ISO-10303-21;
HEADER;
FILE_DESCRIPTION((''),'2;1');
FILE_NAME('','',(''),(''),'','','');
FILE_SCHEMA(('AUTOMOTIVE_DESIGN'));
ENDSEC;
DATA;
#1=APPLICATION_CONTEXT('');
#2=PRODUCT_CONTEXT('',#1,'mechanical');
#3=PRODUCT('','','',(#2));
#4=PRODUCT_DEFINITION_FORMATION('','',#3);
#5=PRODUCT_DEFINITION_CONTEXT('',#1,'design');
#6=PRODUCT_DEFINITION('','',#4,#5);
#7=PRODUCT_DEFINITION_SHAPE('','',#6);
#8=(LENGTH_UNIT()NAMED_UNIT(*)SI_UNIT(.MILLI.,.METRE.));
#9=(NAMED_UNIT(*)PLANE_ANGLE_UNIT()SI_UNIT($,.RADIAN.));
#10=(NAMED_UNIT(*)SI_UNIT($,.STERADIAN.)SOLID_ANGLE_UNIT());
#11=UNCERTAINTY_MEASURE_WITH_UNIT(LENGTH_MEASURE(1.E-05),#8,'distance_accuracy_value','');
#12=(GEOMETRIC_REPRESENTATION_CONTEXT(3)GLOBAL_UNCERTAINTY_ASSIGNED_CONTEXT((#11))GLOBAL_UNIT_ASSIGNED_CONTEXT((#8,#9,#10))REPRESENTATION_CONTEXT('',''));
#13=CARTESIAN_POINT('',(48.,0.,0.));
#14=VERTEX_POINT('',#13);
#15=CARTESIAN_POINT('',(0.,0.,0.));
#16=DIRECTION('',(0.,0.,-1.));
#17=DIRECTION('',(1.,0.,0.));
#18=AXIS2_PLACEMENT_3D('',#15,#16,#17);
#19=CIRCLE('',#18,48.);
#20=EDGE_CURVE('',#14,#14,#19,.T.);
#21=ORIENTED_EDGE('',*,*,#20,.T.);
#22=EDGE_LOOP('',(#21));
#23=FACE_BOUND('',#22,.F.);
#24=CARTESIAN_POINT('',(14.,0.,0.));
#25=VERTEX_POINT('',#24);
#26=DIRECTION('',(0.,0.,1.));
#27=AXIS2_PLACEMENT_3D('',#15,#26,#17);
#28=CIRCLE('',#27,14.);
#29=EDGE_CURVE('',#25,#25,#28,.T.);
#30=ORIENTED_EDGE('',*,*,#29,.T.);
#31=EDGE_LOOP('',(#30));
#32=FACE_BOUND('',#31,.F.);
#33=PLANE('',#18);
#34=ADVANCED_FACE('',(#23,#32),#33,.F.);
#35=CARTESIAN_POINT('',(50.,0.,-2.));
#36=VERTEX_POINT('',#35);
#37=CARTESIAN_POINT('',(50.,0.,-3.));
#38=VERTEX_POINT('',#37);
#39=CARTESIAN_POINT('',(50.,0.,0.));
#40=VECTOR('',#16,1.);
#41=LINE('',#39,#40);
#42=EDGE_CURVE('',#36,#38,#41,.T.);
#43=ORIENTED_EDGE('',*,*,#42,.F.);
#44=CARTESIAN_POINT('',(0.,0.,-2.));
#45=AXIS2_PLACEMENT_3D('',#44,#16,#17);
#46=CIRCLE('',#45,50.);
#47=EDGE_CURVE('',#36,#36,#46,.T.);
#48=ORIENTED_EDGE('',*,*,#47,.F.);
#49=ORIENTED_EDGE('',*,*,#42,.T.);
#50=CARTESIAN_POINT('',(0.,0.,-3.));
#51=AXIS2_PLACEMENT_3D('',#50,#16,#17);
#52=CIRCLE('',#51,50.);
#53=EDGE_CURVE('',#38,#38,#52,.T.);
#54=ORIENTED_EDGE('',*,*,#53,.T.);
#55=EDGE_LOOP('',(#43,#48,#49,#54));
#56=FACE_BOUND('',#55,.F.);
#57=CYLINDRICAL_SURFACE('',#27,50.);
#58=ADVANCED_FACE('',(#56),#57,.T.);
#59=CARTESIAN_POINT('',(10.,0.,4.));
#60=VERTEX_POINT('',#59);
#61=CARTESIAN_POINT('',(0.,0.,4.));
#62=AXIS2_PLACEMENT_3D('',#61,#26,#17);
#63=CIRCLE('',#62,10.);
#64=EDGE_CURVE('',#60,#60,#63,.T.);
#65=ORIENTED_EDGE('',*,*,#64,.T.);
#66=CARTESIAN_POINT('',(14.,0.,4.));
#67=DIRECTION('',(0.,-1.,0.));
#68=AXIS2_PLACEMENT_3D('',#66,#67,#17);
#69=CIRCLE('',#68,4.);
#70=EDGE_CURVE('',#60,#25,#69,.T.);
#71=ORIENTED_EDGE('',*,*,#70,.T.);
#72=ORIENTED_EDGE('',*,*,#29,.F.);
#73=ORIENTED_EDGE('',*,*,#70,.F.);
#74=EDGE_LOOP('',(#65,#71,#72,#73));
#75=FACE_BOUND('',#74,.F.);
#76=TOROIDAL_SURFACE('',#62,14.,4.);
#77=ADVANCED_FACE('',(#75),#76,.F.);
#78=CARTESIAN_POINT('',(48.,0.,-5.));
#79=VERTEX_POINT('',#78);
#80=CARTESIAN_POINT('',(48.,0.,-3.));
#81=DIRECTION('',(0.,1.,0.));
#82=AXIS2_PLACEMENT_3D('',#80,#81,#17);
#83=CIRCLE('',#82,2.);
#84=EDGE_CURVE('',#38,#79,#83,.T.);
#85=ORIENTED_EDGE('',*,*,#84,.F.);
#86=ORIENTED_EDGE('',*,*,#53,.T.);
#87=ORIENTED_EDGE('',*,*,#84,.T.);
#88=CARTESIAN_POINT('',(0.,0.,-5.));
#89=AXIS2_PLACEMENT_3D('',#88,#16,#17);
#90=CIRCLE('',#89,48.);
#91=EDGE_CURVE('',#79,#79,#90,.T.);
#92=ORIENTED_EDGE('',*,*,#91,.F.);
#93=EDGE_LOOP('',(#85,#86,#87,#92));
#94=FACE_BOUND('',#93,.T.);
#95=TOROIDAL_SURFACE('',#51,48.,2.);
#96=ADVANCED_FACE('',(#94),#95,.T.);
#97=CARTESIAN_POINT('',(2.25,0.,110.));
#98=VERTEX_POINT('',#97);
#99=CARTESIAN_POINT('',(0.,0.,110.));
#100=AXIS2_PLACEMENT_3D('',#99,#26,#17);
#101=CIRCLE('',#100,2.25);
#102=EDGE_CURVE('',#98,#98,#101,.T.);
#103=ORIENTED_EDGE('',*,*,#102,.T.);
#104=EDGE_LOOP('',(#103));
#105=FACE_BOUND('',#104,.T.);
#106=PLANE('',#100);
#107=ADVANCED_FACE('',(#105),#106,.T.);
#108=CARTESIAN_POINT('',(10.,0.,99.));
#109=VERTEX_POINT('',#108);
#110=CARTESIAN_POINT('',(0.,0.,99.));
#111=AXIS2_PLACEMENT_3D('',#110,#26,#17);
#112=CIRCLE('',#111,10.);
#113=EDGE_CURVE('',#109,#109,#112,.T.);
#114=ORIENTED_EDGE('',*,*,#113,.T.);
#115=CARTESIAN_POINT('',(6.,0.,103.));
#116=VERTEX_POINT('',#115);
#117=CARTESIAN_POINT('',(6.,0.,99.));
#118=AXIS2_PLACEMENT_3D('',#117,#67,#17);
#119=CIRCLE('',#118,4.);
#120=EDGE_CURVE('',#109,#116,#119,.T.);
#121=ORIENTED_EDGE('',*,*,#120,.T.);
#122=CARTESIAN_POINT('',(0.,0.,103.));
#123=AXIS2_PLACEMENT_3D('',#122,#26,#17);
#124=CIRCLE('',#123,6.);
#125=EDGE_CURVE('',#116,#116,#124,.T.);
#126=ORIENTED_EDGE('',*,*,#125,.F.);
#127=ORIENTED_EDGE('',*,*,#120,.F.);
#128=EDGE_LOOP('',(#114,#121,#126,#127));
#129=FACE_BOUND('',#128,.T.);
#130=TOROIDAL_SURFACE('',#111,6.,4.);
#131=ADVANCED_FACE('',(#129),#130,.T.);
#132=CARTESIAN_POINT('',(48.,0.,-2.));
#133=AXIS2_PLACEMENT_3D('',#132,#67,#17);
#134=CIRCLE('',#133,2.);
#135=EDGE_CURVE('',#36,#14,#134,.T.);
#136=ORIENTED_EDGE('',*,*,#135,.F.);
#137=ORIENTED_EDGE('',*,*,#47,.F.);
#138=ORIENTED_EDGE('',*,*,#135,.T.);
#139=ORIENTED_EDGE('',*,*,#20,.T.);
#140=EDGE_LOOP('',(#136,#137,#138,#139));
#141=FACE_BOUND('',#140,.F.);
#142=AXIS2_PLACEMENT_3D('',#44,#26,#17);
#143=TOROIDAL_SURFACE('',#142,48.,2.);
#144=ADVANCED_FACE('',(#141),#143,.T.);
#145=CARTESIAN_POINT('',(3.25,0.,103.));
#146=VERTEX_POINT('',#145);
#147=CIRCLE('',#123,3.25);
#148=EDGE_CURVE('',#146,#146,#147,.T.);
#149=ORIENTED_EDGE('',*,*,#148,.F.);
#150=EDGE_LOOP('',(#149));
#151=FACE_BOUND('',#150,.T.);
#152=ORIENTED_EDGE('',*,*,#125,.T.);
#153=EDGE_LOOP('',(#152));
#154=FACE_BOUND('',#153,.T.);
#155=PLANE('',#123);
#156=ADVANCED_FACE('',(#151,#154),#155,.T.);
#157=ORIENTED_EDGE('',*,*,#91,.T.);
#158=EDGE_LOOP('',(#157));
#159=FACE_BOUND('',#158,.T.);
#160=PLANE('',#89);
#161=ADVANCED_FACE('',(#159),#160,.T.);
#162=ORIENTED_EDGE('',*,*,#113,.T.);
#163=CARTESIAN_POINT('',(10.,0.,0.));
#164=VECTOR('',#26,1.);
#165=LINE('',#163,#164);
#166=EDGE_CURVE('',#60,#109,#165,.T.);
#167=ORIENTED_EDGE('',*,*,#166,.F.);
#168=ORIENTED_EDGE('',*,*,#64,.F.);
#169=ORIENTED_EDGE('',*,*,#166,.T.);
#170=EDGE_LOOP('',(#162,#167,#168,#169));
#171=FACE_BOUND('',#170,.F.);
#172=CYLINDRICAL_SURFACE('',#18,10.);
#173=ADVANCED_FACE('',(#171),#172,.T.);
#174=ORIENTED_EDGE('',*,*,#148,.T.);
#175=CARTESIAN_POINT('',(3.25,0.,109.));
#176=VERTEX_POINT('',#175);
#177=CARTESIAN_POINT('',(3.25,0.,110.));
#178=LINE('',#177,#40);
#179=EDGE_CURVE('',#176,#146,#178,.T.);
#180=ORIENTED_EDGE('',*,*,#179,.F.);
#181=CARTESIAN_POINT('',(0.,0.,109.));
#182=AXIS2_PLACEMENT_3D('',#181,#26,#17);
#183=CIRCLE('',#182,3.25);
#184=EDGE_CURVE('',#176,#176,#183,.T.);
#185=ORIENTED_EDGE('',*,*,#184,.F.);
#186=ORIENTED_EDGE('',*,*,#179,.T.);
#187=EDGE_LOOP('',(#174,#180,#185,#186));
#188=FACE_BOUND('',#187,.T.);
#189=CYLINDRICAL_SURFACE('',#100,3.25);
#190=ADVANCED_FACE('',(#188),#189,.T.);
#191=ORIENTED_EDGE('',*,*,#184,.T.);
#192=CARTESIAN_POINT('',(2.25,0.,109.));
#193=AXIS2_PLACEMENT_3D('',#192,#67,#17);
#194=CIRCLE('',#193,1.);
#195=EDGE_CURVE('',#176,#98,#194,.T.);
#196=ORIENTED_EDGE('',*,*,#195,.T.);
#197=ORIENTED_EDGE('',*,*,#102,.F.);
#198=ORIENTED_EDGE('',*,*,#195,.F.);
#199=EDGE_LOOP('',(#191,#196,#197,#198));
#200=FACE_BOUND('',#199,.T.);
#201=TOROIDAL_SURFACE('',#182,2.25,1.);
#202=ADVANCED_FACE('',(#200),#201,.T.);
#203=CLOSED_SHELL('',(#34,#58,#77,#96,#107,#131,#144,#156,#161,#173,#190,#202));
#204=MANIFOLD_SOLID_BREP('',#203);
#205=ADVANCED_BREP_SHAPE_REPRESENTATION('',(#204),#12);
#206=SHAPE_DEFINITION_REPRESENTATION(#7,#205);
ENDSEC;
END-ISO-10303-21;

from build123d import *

# Parameters (mm, degrees)
SKETCH_R      = 10
PAD_DEPTH     = 110
SKETCH001_R   = 10
SKETCH001_R_2 = 3.25
POCKET_DEPTH  = 7
SKETCH002_R   = 50
PAD001_DEPTH  = 5
FILLET_R      = 2
FILLET001_R   = 4
FILLET002_R   = 1
FILLET003_R   = 4


with BuildPart() as part:
    # Sketch → Pad (new body)
    with BuildSketch(Plane.XY):
        Circle(SKETCH_R)
    extrude(amount=PAD_DEPTH)

    # Sketch001 (on Face3 of Pad) → Pocket (cut)
    with BuildSketch(Plane.XY.offset(110)):
        Circle(SKETCH001_R)
        Circle(SKETCH001_R_2, mode=Mode.SUBTRACT)
    extrude(amount=-POCKET_DEPTH, mode=Mode.SUBTRACT)

    # Sketch002 (on Face2 of Pocket) → Pad001 (join)
    with BuildSketch(Plane(origin=(0, 0, 0), x_dir=(1, 0, 0), z_dir=(0, 0, -1))):
        Circle(SKETCH002_R)
    extrude(amount=PAD001_DEPTH)

    # Fillet
    fillet_edges = [part.edges().sort_by_distance(p)[0] for p in [
        (-50, 0, -5),
        (-50, 0, 0),
    ]]
    fillet(fillet_edges, radius=FILLET_R)

    # Fillet001
    fillet001_edges = [part.edges().sort_by_distance(p)[0] for p in [
        (-10, 0, 103),
    ]]
    fillet(fillet001_edges, radius=FILLET001_R)

    # Fillet002
    fillet002_edges = [part.edges().sort_by_distance(p)[0] for p in [
        (-3.25, 0, 110),
    ]]
    fillet(fillet002_edges, radius=FILLET002_R)

    # Fillet003
    fillet003_edges = [part.edges().sort_by_distance(p)[0] for p in [
        (-10, 0, 0),
    ]]
    fillet(fillet003_edges, radius=FILLET003_R)


solid = part.part
